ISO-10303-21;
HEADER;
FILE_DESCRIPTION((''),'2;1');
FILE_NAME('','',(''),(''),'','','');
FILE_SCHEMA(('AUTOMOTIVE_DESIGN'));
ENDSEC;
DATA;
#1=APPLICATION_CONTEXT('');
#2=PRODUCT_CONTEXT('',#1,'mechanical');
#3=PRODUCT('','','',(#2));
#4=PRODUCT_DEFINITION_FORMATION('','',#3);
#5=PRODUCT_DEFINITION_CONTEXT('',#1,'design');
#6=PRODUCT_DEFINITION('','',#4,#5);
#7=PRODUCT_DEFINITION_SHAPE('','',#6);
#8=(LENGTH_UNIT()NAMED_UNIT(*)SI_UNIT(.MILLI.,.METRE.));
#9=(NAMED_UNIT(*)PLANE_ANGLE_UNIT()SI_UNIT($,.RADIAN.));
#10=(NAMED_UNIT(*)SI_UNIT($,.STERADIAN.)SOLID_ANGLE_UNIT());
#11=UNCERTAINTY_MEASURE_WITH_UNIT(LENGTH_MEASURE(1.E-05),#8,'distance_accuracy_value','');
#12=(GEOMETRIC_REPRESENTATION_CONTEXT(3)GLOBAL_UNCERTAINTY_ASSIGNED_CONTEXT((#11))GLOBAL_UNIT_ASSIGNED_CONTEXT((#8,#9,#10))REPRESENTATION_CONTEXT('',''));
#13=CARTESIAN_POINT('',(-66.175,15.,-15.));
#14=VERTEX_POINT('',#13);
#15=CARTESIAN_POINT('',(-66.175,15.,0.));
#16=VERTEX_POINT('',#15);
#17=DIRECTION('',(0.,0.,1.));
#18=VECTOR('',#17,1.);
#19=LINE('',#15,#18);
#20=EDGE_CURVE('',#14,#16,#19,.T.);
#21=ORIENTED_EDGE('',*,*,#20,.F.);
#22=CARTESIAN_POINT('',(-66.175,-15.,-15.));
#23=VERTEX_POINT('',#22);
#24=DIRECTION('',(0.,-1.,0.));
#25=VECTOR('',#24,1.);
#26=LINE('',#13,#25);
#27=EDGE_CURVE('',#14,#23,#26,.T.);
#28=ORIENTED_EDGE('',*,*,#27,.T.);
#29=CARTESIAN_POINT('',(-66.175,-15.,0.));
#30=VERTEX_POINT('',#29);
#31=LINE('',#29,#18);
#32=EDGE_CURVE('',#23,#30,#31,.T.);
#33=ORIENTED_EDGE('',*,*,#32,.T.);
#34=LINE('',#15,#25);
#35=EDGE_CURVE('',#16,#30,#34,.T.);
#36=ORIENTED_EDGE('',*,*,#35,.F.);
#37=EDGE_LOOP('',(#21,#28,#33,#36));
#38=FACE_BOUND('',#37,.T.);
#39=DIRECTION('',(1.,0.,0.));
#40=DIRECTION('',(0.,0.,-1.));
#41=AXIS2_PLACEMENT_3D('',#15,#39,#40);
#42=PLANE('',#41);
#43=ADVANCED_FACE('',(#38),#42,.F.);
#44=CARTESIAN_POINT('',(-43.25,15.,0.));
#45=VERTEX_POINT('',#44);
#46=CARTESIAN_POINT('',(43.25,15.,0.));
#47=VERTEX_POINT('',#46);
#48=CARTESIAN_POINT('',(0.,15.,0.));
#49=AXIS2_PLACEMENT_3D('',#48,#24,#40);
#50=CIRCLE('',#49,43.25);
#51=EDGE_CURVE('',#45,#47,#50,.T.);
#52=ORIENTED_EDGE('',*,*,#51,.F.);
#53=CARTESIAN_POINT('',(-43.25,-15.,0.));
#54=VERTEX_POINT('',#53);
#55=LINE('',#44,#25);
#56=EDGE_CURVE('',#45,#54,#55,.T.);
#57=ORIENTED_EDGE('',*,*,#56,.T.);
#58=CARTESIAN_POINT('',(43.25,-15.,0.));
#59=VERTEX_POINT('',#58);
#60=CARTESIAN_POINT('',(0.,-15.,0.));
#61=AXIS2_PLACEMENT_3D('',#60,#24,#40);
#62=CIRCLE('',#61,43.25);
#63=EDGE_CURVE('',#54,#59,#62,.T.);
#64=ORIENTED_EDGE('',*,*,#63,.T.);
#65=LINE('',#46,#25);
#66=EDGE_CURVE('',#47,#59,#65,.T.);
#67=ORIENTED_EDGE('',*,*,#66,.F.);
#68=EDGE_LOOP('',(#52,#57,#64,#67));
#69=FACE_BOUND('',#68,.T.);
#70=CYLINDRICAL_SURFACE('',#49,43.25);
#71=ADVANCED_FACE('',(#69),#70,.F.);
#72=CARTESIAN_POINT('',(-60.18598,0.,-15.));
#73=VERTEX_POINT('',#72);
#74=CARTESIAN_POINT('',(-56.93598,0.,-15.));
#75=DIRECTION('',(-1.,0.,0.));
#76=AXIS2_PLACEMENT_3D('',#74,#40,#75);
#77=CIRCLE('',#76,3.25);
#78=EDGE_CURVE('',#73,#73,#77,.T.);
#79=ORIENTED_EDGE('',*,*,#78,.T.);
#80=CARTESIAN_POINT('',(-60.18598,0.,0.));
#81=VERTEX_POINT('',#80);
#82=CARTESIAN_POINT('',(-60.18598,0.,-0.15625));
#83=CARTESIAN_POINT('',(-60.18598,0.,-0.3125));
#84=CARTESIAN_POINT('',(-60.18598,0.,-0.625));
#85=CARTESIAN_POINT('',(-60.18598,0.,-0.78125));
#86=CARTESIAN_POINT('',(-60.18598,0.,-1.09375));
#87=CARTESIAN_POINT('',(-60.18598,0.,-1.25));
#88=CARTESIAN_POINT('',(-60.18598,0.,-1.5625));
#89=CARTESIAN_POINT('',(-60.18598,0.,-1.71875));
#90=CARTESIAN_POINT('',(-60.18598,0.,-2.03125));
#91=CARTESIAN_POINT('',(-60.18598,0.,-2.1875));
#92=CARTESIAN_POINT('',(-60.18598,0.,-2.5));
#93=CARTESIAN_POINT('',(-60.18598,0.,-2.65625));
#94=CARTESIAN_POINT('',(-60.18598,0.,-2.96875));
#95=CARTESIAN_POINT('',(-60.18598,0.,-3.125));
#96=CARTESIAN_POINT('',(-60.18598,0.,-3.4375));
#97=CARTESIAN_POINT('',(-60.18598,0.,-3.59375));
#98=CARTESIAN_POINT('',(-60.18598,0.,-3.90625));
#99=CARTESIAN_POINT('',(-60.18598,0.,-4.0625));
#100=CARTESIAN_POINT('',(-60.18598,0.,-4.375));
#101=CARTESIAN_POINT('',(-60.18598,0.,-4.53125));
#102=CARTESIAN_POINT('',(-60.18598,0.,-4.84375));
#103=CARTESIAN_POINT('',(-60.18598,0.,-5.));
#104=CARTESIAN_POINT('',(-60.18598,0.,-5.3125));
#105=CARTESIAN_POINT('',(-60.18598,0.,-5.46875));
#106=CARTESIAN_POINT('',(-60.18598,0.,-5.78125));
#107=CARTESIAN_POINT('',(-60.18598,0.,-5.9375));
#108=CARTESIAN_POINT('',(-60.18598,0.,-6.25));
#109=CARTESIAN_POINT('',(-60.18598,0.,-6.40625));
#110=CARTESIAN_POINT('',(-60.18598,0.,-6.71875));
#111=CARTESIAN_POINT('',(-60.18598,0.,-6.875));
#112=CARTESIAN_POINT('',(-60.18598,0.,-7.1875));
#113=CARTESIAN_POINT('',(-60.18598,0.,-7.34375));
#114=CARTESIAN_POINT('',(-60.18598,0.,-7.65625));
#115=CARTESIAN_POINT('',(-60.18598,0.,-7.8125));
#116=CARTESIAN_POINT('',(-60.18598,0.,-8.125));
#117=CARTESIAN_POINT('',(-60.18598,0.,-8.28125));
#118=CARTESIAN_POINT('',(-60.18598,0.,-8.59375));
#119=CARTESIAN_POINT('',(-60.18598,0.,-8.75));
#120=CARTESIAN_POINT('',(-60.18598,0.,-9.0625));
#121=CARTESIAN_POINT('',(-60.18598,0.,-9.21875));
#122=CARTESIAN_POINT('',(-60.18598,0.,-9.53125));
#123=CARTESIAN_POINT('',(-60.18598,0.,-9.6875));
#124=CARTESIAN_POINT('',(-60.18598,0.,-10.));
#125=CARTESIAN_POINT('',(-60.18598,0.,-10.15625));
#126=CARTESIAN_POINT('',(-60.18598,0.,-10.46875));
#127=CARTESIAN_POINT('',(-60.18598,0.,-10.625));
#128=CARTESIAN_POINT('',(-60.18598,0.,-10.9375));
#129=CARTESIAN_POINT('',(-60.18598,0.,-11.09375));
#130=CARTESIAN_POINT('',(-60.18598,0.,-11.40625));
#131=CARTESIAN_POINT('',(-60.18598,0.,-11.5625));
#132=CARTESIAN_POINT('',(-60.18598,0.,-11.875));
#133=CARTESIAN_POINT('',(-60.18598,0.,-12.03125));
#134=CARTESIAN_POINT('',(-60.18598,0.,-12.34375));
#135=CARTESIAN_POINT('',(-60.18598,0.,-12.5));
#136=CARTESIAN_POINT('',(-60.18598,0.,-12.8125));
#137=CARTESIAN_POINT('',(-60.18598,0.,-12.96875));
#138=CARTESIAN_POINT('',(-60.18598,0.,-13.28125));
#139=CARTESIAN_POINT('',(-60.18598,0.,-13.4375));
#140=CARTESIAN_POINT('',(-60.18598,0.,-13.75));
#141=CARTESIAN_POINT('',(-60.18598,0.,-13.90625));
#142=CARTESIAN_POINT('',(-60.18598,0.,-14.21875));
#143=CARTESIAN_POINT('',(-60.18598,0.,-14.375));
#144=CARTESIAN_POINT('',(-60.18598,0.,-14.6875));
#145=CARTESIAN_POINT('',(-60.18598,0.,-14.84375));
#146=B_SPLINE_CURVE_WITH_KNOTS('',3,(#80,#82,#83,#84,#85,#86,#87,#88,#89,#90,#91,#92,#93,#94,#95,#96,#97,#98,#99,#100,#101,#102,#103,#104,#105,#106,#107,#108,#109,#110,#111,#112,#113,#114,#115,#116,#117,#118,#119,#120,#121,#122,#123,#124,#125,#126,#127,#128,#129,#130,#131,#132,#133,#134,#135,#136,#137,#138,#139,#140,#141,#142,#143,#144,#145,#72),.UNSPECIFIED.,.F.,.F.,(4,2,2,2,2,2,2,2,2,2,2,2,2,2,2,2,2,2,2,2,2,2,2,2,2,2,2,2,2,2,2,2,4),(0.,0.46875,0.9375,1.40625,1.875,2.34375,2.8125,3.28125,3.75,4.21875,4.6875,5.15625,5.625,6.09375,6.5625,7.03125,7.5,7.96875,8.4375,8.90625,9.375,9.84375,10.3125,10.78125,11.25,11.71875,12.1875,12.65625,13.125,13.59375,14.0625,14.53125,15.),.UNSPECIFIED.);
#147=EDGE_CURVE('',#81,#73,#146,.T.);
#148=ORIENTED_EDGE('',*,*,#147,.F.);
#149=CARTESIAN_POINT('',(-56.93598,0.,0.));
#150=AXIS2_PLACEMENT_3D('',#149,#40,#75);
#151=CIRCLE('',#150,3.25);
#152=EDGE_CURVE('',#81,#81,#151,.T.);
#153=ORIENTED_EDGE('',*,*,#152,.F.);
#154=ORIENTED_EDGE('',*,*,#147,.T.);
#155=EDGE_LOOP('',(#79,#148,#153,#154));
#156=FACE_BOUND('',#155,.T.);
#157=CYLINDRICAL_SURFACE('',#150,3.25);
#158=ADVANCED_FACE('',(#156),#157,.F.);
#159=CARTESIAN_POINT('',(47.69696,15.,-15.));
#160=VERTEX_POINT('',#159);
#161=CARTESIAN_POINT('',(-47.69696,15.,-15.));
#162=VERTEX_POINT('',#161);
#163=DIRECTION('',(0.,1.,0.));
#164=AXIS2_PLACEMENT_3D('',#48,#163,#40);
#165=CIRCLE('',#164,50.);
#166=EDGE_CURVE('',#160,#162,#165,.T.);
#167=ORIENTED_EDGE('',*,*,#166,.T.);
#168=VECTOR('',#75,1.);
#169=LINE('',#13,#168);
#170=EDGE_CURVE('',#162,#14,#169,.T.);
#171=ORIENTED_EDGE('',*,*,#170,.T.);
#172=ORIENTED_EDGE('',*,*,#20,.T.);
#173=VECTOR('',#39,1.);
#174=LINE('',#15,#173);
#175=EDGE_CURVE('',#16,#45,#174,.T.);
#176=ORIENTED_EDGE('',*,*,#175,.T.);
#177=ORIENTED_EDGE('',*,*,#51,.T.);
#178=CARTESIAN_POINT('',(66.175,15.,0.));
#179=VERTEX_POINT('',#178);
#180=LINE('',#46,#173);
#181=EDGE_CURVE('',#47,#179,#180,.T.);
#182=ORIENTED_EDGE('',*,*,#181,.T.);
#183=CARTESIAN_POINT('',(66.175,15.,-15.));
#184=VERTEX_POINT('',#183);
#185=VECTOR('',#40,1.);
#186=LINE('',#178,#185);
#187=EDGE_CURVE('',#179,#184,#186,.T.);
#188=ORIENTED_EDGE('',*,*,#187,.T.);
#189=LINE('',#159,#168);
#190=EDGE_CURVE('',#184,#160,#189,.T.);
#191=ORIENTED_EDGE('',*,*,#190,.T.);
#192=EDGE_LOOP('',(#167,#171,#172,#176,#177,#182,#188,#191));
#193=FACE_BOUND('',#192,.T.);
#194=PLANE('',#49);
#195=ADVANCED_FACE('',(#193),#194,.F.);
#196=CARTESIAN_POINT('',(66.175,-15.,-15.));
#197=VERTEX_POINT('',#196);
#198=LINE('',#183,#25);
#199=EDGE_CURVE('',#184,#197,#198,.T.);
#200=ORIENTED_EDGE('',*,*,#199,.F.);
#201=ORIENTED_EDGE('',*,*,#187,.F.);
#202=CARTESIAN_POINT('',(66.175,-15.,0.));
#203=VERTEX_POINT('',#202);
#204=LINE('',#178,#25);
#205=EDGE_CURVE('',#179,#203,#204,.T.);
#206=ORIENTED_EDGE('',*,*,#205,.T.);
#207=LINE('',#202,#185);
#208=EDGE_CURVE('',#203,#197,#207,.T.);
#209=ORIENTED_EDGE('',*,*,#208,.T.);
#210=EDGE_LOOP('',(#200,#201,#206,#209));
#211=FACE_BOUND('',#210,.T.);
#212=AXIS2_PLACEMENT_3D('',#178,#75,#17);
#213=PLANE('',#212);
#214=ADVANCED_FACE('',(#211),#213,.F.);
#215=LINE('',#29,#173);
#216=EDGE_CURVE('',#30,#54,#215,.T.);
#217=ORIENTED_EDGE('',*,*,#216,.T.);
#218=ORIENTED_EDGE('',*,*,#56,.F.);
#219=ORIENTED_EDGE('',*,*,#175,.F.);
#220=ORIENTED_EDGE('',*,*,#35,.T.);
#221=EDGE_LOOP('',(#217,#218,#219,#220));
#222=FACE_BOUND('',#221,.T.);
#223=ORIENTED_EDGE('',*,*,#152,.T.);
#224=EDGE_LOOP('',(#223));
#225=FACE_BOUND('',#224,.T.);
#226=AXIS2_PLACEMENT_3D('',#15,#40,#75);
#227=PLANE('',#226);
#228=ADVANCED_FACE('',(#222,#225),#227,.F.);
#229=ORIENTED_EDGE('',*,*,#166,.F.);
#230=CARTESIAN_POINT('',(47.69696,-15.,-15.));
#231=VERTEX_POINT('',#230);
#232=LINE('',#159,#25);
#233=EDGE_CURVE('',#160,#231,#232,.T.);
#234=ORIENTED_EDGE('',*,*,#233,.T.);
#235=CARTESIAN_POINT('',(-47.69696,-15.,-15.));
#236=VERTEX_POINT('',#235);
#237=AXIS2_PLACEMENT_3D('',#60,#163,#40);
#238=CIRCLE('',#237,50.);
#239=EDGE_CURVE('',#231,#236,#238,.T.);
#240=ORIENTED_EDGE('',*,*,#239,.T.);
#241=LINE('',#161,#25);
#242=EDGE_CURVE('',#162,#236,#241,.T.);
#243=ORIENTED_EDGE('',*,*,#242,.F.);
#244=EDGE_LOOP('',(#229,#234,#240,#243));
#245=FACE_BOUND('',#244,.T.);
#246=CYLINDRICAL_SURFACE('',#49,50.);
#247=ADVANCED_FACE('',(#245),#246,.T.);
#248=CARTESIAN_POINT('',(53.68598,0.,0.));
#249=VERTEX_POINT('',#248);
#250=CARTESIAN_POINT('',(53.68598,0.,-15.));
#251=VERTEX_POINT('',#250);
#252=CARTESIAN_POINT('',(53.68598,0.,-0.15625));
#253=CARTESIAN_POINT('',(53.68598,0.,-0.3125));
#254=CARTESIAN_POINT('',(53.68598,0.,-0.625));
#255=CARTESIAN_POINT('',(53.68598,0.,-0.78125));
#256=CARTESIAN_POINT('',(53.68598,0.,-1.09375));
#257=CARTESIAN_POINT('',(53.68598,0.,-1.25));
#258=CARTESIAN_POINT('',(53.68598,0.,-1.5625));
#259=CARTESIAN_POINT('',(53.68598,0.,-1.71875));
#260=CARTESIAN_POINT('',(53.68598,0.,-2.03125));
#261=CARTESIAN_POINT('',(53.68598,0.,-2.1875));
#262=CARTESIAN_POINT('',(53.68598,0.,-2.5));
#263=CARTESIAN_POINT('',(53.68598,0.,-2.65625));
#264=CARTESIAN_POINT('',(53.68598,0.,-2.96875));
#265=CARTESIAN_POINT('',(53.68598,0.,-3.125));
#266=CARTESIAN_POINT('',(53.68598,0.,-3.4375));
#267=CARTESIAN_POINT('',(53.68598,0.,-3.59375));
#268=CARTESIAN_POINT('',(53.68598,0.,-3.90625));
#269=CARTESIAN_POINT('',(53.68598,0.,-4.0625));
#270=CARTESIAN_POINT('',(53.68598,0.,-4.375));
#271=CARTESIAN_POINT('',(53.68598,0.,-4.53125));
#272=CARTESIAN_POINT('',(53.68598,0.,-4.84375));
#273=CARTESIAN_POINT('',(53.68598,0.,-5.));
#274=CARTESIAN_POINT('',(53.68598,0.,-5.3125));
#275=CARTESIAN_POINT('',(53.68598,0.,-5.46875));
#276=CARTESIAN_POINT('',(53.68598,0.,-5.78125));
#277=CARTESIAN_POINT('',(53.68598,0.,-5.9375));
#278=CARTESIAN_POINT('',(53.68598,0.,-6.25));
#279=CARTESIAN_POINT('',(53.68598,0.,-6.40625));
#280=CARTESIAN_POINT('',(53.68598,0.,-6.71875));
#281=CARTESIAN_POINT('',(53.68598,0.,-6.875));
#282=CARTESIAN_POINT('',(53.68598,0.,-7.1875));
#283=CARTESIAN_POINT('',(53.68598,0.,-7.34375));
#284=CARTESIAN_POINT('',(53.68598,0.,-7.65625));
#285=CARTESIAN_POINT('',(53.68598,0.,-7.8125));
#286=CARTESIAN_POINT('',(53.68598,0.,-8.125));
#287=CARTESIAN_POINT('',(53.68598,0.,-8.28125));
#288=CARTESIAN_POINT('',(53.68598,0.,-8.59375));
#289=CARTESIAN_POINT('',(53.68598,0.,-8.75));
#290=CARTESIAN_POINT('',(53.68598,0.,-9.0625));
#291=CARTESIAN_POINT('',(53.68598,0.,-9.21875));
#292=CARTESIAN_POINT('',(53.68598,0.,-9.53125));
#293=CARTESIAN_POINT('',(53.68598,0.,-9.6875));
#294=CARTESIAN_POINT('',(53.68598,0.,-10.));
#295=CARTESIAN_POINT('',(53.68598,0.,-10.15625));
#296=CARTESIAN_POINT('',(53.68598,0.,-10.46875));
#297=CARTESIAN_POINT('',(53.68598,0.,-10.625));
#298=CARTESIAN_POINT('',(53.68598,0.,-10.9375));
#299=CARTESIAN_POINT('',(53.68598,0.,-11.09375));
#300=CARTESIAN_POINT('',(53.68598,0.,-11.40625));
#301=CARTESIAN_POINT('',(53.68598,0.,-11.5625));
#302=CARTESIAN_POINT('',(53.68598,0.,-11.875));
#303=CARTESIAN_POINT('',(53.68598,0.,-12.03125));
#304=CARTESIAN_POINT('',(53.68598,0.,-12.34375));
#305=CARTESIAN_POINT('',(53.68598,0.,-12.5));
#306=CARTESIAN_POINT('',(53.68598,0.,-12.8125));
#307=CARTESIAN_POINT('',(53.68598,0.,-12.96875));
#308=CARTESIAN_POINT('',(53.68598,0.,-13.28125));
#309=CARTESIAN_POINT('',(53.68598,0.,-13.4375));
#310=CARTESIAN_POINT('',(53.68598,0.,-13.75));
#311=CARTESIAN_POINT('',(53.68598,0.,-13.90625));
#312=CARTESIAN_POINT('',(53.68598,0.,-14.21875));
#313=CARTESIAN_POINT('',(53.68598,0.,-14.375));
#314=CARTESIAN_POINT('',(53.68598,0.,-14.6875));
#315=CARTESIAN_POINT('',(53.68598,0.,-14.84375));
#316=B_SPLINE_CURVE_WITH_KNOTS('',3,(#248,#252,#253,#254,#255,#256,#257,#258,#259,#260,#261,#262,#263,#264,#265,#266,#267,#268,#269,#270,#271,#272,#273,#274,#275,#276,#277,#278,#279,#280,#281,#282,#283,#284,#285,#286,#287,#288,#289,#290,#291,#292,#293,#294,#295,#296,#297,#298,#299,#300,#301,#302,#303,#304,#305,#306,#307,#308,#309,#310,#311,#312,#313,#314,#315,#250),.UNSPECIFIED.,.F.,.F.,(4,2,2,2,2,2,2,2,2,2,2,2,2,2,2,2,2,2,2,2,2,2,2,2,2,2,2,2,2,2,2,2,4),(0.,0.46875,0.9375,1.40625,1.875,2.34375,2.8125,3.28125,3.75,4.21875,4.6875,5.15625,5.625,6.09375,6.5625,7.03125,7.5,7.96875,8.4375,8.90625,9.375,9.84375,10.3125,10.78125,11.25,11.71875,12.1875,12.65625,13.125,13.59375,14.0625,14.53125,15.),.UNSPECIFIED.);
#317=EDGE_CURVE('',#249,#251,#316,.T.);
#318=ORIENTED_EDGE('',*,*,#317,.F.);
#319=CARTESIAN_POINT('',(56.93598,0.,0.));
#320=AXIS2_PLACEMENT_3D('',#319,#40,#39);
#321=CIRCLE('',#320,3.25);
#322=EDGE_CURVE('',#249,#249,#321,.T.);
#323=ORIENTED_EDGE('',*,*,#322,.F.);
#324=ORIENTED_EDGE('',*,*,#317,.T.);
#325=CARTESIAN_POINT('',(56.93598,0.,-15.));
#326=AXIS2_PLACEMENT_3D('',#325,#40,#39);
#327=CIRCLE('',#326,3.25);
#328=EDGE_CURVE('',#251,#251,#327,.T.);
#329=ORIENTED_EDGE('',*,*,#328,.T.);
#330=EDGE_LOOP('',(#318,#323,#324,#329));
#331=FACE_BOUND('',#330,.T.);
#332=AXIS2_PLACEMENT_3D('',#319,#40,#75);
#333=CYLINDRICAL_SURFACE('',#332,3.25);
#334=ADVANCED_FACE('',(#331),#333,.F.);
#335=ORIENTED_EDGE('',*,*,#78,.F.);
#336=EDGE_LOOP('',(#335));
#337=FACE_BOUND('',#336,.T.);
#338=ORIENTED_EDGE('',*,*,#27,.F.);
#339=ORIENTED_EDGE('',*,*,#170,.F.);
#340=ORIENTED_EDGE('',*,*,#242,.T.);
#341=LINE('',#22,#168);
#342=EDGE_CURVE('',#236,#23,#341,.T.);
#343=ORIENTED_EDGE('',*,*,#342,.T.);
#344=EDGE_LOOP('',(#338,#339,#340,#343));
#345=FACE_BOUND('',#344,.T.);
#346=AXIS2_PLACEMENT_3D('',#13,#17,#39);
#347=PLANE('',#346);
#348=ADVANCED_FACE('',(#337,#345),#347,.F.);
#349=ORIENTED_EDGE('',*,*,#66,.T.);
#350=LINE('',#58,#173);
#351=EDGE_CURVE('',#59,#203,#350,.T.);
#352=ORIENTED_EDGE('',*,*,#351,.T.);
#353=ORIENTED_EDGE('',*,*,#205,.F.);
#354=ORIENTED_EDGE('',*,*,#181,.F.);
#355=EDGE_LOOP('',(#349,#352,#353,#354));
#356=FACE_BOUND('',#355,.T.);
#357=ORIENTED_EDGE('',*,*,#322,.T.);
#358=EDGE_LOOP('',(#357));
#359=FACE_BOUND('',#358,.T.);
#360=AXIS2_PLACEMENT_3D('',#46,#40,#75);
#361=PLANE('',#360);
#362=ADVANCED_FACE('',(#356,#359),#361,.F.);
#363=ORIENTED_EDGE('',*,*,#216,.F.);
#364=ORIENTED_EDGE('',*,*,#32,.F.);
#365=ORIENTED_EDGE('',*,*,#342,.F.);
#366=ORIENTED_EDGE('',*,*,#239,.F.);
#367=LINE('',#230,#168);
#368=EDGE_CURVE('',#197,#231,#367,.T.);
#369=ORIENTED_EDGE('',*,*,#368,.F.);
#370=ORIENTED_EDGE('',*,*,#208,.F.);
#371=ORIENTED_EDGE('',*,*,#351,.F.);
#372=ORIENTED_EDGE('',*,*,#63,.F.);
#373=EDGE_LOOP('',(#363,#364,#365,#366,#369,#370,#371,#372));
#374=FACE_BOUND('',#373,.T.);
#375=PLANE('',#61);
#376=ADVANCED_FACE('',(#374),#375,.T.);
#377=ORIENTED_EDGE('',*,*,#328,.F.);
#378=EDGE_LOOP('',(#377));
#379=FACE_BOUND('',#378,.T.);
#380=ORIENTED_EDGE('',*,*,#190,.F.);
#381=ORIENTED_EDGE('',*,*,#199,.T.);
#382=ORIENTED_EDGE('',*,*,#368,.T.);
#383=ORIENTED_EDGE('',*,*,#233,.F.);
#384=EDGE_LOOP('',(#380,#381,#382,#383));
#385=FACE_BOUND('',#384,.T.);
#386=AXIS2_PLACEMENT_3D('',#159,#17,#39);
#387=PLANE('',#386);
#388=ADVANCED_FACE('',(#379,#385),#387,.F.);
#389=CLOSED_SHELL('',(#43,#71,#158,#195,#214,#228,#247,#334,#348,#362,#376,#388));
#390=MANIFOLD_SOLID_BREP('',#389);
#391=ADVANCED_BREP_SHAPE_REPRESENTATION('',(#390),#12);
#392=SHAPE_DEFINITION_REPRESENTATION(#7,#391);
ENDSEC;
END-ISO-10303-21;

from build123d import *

# Parameters (mm, degrees)
BOSS_EXTRUDE1_DEPTH = 15
SKETCH2_R           = 3.25
CUT_EXTRUDE1_DEPTH  = 77.348743441


with BuildPart() as part:
    # Sketch1 → Boss-Extrude1 (new, symmetric)
    with BuildSketch(Plane(origin=(0, 0, 0), x_dir=(1, 0, 0), z_dir=(0, 1, 0))):
        with BuildLine():
            Line((-66.175, 0), (-66.175, 15))
            Line((-66.175, 15), (-47.696960071, 15))
            ThreePointArc((-47.696960071, 15), (0, 50), (47.696960071, 15))
            Line((47.696960071, 15), (66.175, 15))
            Line((66.175, 15), (66.175, 0))
            Line((66.175, 0), (43.25, 0))
            ThreePointArc((43.25, 0), (0, 43.25), (-43.25, 0))
            Line((-43.25, 0), (-66.175, 0))
        make_face()
    extrude(amount=BOSS_EXTRUDE1_DEPTH, both=True)

    # Sketch2 → Cut-Extrude1 (cut, through all)
    with BuildSketch(Plane(origin=(0, 0, -15), x_dir=(-1, 0, 0), z_dir=(0, 0, -1))):
        with Locations((56.935980035, 0)):
            Circle(SKETCH2_R)
        with Locations((-56.935980035, 0)):
            Circle(SKETCH2_R)
    extrude(amount=-CUT_EXTRUDE1_DEPTH, mode=Mode.SUBTRACT)


solid = part.part
